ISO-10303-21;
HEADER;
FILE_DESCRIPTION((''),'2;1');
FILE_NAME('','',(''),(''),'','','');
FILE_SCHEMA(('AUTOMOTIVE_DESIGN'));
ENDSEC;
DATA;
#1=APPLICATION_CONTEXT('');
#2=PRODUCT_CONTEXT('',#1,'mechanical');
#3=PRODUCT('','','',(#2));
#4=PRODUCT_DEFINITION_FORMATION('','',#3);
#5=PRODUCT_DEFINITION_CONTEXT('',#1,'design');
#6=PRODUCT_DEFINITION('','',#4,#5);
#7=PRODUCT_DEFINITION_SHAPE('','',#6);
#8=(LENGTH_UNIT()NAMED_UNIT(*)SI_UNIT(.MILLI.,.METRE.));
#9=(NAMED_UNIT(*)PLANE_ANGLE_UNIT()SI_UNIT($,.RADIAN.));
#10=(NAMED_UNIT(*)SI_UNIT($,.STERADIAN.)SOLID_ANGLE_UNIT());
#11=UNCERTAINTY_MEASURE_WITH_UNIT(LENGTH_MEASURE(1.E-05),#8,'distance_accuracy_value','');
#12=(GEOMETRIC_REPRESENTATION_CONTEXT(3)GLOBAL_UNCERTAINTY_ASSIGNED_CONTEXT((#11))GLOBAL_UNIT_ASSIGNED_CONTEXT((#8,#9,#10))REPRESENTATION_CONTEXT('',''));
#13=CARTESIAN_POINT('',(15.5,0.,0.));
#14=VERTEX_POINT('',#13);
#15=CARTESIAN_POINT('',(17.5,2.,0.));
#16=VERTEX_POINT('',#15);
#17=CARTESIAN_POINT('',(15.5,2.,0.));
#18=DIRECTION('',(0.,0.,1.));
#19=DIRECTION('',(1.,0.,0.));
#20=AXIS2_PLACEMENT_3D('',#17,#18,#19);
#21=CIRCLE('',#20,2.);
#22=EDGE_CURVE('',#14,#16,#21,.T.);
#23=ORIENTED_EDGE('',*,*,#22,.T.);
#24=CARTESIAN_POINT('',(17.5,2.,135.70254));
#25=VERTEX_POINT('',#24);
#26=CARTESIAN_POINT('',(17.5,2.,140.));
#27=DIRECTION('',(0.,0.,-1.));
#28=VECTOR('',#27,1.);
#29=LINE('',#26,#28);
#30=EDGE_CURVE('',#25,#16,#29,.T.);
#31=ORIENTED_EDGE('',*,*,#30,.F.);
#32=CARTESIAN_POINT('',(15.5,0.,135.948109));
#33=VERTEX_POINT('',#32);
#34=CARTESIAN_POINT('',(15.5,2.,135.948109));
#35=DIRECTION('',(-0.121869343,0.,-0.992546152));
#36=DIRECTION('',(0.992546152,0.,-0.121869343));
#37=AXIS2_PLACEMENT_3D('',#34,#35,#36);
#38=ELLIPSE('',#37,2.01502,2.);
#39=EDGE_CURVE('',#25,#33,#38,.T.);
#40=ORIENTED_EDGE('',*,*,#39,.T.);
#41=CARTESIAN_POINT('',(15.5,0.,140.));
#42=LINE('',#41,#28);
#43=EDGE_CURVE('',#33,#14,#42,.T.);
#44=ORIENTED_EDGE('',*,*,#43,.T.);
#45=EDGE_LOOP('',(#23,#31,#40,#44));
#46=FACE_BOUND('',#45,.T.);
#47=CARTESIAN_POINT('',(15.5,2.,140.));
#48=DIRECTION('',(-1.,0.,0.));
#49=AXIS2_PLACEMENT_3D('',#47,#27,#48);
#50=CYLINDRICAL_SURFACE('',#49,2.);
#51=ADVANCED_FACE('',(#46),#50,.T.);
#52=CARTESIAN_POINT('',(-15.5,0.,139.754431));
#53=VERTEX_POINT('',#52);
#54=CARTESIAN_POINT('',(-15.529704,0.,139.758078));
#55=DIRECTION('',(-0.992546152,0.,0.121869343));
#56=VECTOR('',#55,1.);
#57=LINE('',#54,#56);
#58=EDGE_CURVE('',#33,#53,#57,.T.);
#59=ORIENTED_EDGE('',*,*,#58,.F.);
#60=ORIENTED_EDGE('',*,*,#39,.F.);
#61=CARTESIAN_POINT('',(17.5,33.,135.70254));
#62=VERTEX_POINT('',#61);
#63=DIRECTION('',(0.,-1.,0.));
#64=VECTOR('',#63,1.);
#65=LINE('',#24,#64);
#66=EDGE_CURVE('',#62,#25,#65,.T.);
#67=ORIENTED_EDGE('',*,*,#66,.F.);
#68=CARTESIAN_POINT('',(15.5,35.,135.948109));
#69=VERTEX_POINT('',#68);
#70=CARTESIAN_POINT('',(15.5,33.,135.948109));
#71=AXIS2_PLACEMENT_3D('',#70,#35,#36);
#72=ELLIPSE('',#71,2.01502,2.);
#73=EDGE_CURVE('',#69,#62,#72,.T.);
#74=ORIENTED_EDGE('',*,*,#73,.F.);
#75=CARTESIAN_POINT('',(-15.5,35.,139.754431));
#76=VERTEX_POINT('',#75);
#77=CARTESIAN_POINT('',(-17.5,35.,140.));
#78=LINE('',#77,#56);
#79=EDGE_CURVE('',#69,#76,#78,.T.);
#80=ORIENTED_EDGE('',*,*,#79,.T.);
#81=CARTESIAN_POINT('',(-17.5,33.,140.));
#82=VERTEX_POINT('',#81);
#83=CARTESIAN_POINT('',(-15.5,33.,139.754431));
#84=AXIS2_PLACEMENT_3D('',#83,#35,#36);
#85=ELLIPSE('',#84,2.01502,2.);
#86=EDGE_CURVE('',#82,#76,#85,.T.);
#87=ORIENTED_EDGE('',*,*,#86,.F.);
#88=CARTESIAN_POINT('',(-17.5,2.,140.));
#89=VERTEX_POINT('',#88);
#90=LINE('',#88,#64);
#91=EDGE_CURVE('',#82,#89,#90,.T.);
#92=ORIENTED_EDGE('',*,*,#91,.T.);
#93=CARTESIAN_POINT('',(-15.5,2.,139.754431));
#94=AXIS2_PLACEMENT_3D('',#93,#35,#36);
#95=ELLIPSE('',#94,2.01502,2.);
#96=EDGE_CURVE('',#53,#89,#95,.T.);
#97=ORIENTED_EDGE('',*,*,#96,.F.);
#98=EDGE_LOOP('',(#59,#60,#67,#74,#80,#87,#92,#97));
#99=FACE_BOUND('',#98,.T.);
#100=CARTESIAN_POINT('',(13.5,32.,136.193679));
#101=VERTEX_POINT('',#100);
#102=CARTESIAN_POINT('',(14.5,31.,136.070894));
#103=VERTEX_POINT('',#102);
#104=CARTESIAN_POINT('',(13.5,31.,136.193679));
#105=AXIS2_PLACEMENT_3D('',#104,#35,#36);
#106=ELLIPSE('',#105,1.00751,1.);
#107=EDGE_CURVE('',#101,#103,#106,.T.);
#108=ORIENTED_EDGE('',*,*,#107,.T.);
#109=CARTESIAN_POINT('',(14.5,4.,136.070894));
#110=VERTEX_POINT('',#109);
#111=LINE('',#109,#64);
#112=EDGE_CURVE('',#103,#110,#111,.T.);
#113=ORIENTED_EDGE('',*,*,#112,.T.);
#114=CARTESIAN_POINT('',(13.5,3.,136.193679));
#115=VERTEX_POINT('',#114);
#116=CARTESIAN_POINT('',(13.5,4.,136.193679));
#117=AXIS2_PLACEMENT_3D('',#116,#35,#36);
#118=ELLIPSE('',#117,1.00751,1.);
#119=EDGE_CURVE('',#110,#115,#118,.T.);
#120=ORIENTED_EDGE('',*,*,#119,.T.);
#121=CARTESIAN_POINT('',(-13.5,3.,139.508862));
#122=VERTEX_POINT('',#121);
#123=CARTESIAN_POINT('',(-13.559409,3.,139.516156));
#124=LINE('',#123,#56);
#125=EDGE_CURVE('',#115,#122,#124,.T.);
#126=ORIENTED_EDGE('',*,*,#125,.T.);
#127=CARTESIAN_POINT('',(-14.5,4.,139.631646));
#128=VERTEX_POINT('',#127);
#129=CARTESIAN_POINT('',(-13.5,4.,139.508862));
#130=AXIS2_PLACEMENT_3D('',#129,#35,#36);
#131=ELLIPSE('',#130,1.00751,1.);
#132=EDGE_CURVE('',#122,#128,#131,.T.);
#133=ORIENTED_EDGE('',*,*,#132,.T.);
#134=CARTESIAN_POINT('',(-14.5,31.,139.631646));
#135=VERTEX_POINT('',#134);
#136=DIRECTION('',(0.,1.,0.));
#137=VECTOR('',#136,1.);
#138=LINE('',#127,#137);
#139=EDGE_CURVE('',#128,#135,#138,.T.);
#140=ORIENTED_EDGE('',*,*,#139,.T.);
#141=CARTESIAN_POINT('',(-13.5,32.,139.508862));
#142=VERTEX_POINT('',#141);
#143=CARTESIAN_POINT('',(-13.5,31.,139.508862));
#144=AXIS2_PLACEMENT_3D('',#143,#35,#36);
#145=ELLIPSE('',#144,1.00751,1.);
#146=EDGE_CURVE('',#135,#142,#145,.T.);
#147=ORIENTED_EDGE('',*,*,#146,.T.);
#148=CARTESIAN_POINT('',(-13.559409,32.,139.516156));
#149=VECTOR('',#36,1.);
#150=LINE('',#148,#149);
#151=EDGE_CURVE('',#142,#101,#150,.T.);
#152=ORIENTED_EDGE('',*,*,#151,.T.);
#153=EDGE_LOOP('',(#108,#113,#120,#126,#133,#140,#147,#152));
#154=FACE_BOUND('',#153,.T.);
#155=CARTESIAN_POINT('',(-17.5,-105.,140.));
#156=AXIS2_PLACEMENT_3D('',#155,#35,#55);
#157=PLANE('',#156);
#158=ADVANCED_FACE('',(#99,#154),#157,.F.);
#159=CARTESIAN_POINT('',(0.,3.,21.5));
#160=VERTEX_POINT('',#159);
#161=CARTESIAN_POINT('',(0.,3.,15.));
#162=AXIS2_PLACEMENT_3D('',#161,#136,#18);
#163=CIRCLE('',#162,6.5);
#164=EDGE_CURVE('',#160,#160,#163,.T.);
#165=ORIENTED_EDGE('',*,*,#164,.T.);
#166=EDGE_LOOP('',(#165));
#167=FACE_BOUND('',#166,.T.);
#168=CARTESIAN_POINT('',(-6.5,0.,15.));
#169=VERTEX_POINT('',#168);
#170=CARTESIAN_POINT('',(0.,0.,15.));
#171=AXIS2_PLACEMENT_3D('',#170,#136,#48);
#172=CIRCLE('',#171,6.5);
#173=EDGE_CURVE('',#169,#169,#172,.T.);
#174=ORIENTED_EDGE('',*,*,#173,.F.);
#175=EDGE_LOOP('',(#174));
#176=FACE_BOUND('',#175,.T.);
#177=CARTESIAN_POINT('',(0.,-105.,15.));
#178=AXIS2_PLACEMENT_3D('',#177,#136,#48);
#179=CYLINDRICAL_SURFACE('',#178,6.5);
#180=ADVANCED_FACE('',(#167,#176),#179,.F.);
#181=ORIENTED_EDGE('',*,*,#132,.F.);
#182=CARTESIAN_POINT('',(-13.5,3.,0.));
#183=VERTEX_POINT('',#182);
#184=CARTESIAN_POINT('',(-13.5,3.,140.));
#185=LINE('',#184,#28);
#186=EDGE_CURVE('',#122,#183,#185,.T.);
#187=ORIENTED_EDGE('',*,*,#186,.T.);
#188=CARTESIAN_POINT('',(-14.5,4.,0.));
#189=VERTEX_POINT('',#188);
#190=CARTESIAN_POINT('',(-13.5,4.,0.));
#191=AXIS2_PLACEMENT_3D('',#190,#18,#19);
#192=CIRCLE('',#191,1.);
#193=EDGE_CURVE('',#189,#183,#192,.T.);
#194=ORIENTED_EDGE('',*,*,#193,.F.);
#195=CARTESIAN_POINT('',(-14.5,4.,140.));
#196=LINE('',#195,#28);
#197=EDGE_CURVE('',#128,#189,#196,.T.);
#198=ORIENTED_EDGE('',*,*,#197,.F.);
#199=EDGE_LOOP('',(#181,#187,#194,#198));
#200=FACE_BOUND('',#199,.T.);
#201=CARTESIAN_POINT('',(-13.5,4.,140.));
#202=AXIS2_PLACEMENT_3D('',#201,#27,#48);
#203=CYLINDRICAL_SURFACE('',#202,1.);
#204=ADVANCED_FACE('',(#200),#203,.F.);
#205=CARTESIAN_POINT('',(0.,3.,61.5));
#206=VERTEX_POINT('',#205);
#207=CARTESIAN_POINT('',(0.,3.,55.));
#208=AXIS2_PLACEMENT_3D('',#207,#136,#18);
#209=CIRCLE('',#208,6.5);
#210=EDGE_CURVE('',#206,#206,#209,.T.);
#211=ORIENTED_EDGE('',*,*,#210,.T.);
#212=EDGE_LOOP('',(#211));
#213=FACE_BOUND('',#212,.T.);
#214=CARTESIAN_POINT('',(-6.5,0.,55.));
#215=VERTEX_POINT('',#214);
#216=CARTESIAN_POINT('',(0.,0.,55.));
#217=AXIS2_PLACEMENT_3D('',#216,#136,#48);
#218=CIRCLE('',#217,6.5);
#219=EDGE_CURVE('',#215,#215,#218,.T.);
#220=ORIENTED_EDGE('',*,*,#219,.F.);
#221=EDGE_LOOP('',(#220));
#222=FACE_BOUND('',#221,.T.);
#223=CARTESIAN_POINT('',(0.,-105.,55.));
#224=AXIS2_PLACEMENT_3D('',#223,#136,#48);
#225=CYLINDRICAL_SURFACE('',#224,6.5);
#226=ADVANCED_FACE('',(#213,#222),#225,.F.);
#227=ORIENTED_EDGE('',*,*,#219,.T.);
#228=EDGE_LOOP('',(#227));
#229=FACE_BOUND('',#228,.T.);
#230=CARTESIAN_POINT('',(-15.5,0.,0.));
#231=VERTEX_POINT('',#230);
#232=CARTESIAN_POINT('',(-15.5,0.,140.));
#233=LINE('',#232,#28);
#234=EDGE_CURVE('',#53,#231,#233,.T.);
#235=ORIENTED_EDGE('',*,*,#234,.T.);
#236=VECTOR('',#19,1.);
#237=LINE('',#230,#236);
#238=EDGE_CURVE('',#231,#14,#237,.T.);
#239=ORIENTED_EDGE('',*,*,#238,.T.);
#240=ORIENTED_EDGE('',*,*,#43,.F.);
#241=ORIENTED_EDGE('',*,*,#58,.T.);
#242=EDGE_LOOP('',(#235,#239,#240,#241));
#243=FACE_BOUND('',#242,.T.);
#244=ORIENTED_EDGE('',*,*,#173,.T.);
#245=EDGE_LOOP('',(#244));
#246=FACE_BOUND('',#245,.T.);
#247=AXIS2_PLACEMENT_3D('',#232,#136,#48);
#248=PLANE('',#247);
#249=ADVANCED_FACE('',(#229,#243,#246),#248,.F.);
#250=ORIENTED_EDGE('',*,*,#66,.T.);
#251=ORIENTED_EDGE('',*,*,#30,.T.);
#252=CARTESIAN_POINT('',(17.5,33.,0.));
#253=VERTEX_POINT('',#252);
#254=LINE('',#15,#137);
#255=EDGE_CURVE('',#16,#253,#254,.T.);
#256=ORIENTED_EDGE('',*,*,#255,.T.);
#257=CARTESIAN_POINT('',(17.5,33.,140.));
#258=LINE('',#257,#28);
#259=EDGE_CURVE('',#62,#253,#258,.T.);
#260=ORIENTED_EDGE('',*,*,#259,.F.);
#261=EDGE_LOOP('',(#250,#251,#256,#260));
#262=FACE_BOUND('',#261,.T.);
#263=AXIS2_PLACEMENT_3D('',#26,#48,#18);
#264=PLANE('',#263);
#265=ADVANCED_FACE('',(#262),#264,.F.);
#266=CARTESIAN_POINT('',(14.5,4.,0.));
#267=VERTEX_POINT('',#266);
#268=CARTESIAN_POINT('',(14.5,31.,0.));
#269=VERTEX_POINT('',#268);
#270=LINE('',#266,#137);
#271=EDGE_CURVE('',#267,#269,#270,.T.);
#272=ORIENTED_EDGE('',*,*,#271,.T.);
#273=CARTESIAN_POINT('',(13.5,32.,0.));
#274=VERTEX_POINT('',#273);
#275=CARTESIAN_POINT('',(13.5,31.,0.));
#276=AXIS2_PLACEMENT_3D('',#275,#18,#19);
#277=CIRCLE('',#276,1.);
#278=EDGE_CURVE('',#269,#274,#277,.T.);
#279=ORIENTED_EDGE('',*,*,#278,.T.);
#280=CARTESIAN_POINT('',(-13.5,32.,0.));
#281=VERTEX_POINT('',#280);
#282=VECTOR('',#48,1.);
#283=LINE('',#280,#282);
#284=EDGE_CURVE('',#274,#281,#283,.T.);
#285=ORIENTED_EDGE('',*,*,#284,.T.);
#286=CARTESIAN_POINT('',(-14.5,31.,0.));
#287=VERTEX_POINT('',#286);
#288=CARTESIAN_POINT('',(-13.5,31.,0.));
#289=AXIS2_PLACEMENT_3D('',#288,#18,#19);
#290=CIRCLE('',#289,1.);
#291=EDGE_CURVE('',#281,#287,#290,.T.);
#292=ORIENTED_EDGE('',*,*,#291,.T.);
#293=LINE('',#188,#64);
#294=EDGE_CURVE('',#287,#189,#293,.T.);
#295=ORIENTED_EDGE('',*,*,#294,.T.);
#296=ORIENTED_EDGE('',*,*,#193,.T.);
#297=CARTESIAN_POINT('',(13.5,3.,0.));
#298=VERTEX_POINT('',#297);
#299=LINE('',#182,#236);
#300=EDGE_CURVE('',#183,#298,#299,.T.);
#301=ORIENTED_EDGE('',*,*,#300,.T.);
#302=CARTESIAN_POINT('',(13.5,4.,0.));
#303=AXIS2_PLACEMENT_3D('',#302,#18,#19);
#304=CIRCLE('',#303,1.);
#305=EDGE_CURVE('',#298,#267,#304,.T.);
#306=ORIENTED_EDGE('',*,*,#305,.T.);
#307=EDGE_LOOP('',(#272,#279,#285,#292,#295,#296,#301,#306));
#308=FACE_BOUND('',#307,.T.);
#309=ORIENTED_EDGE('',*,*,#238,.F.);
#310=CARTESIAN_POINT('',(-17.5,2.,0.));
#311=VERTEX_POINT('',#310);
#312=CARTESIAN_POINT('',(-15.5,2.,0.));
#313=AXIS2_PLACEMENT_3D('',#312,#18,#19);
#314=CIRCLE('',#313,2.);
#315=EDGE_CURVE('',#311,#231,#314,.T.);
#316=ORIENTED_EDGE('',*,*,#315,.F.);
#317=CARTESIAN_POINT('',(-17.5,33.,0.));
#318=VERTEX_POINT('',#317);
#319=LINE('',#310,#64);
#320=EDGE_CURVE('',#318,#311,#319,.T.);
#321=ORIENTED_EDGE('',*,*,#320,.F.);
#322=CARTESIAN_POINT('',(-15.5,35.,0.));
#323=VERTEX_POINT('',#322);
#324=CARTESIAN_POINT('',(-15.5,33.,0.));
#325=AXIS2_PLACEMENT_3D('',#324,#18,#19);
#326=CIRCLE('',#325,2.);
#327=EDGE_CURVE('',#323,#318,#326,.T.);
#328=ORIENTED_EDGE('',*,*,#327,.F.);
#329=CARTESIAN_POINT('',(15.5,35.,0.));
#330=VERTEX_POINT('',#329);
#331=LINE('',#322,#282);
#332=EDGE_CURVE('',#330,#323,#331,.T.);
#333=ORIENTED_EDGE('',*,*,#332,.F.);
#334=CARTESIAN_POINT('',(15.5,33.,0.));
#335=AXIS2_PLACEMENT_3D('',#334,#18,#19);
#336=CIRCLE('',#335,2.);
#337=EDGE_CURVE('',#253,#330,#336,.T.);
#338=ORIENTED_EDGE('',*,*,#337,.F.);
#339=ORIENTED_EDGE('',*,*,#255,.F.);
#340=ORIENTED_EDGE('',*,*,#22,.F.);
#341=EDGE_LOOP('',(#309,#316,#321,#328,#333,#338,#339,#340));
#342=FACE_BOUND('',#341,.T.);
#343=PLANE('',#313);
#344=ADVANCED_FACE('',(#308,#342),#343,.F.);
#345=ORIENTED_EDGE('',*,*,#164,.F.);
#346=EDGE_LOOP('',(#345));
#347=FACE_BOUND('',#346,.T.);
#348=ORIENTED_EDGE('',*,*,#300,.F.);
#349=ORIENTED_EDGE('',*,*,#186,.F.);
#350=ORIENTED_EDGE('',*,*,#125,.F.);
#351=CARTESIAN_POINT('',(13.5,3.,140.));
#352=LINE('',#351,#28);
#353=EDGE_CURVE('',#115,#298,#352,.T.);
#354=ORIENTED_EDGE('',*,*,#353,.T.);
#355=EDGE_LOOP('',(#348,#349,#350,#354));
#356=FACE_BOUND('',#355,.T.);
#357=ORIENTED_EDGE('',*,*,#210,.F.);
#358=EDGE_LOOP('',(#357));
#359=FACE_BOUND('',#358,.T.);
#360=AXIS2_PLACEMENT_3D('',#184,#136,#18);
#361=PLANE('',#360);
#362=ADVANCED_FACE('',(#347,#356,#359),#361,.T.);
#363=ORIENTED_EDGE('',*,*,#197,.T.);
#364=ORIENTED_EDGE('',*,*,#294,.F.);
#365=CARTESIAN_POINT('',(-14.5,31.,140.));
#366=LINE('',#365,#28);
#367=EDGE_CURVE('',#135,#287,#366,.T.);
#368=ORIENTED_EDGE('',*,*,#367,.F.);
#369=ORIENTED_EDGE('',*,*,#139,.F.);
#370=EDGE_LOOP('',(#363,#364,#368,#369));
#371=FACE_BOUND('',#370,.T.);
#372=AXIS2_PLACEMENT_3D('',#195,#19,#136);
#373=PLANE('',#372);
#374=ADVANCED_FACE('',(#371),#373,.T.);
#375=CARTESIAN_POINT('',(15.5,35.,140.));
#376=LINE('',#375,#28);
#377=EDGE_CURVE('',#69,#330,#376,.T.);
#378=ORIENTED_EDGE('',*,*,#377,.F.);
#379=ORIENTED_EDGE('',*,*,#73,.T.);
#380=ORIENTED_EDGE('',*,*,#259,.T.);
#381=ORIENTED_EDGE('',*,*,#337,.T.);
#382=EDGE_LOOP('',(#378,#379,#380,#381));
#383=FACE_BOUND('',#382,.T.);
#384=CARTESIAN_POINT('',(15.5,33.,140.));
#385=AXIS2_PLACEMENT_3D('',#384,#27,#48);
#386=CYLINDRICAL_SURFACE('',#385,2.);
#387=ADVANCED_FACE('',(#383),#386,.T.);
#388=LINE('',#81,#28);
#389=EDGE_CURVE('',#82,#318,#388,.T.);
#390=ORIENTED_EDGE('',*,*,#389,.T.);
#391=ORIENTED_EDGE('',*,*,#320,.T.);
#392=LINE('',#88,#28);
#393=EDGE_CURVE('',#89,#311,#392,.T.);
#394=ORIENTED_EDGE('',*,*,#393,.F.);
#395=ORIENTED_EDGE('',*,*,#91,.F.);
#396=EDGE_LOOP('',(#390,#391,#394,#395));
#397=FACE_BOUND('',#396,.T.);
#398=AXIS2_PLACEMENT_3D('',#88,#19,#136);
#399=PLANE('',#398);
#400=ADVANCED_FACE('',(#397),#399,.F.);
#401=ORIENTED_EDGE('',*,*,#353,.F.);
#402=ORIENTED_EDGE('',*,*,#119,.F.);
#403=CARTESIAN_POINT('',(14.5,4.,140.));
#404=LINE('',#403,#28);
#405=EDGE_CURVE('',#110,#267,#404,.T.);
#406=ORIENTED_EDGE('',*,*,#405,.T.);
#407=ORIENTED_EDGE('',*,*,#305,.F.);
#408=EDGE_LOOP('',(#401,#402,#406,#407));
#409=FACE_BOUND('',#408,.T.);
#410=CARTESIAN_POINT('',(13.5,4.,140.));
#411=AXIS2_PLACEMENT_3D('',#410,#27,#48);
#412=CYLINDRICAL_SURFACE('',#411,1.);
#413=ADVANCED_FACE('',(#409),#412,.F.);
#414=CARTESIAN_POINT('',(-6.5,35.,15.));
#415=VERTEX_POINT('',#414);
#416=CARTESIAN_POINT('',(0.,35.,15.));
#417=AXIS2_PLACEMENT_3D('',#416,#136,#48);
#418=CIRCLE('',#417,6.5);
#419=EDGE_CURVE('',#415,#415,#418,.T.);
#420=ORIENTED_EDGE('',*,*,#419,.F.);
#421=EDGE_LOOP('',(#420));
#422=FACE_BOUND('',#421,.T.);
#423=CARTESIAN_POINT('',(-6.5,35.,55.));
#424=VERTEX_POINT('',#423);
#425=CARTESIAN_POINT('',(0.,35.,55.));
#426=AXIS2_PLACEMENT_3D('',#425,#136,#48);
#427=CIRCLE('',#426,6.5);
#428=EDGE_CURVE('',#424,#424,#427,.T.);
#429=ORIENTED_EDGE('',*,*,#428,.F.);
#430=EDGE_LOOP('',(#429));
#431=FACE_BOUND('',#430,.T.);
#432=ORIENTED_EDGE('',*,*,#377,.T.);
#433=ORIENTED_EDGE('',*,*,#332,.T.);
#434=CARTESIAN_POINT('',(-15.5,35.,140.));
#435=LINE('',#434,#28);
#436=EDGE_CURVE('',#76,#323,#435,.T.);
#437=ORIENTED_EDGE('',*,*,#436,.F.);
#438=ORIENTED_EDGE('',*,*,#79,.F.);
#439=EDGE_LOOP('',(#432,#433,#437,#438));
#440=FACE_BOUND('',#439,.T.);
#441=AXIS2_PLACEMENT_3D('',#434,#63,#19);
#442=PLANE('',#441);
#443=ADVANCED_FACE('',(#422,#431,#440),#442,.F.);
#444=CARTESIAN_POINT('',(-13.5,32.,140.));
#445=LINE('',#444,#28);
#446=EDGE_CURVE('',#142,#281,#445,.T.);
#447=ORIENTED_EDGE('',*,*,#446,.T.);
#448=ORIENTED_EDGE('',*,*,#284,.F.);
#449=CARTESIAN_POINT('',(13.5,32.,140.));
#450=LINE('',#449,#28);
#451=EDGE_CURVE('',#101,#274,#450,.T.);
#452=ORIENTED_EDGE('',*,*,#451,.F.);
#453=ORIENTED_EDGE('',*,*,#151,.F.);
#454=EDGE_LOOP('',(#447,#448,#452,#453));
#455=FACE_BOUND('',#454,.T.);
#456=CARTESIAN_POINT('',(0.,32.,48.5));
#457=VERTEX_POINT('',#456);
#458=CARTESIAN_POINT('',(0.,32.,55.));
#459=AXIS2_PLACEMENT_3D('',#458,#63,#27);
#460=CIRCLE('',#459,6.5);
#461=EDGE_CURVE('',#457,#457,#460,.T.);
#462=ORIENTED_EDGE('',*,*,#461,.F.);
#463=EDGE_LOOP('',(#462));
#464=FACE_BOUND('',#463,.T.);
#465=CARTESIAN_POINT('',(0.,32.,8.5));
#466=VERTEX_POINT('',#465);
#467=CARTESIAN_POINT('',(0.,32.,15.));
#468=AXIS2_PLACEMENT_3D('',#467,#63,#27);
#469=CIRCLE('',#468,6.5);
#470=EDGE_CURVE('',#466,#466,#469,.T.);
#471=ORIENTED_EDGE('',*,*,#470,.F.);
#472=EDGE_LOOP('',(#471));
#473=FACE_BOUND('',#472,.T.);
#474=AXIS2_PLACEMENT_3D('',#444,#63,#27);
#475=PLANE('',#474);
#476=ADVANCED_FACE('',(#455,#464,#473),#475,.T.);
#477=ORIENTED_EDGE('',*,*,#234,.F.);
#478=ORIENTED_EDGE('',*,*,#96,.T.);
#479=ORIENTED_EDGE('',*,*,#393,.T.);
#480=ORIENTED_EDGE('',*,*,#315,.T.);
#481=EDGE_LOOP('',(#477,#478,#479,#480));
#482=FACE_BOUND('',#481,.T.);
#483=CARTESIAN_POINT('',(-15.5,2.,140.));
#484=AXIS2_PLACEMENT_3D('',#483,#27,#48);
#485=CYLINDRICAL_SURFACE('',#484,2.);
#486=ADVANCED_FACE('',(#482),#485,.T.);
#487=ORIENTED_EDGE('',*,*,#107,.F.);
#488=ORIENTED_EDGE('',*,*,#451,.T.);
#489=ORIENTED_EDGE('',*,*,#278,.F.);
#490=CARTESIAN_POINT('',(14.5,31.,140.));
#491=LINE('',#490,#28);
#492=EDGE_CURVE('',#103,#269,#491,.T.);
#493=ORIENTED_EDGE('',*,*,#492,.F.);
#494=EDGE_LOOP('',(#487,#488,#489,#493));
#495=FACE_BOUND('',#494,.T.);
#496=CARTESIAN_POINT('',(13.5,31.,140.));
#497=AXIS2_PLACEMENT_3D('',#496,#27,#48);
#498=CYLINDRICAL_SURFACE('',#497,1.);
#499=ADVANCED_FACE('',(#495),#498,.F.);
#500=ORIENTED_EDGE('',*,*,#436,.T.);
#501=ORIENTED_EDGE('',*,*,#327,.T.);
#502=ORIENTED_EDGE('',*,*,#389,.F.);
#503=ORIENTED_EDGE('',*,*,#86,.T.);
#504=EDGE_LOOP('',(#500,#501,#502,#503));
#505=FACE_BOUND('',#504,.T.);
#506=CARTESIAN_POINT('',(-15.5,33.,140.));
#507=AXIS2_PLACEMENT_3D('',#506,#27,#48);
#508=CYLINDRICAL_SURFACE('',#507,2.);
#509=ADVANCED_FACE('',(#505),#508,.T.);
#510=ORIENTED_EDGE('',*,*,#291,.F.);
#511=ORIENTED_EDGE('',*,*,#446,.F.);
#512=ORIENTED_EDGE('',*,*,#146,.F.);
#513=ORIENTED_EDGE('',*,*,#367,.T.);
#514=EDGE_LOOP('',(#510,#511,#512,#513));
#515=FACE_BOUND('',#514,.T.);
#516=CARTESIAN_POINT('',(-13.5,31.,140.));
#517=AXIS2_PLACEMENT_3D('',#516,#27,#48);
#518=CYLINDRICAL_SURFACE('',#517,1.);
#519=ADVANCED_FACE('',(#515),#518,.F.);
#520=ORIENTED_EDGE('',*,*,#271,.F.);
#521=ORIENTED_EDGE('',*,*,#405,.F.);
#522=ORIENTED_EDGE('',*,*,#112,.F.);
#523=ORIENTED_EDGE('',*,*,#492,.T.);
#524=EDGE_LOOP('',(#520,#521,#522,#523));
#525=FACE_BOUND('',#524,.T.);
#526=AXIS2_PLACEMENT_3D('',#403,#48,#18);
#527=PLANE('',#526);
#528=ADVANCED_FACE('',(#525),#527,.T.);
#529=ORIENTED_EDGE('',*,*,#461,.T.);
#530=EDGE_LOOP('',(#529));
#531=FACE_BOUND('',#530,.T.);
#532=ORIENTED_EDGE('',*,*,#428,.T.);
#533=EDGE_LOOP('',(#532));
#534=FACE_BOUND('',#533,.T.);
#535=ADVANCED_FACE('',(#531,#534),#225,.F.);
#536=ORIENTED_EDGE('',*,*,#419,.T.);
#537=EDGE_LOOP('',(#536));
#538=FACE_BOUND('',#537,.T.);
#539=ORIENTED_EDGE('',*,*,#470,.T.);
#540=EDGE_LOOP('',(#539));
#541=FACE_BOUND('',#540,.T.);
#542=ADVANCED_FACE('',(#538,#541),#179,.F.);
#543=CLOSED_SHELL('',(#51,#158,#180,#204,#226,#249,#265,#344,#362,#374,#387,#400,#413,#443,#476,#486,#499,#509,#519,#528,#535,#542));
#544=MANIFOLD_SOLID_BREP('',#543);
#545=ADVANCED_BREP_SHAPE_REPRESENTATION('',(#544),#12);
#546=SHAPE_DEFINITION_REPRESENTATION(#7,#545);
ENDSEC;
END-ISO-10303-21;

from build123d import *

# Parameters (mm, degrees)
DODANIE_WYCI_GNI_CIE1_DEPTH = 140
SZKIC2_R                    = 6.5
WYTNIJ_WYCI_GNI_CIE1_DEPTH  = 140


with BuildPart() as part:
    # Szkic1 → Dodanie-wyciągnięcie1 (new body)
    with BuildSketch(Plane.XY):
        with BuildLine():
            Line((-15.5, 0), (15.5, 0))
            ThreePointArc((15.5, 0), (16.914213562, 0.585786438), (17.5, 2))
            Line((17.5, 2), (17.5, 33))
            ThreePointArc((17.5, 33), (16.914213562, 34.414213562), (15.5, 35))
            Line((15.5, 35), (-15.5, 35))
            ThreePointArc((-15.5, 35), (-16.914213562, 34.414213562), (-17.5, 33))
            Line((-17.5, 33), (-17.5, 2))
            ThreePointArc((-17.5, 2), (-16.914213562, 0.585786438), (-15.5, 0))
        make_face()
        with BuildLine():
            Line((-13.5, 3), (13.5, 3))
            ThreePointArc((13.5, 3), (14.207106781, 3.292893219), (14.5, 4))
            Line((14.5, 4), (14.5, 31))
            ThreePointArc((14.5, 31), (14.207106781, 31.707106781), (13.5, 32))
            Line((13.5, 32), (-13.5, 32))
            ThreePointArc((-13.5, 32), (-14.207106781, 31.707106781), (-14.5, 31))
            Line((-14.5, 31), (-14.5, 4))
            ThreePointArc((-14.5, 4), (-14.207106781, 3.292893219), (-13.5, 3))
        make_face(mode=Mode.SUBTRACT)
    extrude(amount=DODANIE_WYCI_GNI_CIE1_DEPTH)

    # Szkic2 → Wytnij-wyciągnięcie1 (cut)
    with BuildSketch(Plane(origin=(0, 35, 0), x_dir=(1, 0, 0), z_dir=(0, 1, 0))):
        with Locations(Location((0, -15, 0), (0, 0, 180))):
            Circle(SZKIC2_R)
        with Locations(Location((0, -55, 0), (0, 0, 180))):
            Circle(SZKIC2_R)
        Polygon((-17.5, -140), (23.891746827, -134.917732541), (23.891746827, -140), align=None)
    extrude(amount=-WYTNIJ_WYCI_GNI_CIE1_DEPTH, mode=Mode.SUBTRACT)


solid = part.part
